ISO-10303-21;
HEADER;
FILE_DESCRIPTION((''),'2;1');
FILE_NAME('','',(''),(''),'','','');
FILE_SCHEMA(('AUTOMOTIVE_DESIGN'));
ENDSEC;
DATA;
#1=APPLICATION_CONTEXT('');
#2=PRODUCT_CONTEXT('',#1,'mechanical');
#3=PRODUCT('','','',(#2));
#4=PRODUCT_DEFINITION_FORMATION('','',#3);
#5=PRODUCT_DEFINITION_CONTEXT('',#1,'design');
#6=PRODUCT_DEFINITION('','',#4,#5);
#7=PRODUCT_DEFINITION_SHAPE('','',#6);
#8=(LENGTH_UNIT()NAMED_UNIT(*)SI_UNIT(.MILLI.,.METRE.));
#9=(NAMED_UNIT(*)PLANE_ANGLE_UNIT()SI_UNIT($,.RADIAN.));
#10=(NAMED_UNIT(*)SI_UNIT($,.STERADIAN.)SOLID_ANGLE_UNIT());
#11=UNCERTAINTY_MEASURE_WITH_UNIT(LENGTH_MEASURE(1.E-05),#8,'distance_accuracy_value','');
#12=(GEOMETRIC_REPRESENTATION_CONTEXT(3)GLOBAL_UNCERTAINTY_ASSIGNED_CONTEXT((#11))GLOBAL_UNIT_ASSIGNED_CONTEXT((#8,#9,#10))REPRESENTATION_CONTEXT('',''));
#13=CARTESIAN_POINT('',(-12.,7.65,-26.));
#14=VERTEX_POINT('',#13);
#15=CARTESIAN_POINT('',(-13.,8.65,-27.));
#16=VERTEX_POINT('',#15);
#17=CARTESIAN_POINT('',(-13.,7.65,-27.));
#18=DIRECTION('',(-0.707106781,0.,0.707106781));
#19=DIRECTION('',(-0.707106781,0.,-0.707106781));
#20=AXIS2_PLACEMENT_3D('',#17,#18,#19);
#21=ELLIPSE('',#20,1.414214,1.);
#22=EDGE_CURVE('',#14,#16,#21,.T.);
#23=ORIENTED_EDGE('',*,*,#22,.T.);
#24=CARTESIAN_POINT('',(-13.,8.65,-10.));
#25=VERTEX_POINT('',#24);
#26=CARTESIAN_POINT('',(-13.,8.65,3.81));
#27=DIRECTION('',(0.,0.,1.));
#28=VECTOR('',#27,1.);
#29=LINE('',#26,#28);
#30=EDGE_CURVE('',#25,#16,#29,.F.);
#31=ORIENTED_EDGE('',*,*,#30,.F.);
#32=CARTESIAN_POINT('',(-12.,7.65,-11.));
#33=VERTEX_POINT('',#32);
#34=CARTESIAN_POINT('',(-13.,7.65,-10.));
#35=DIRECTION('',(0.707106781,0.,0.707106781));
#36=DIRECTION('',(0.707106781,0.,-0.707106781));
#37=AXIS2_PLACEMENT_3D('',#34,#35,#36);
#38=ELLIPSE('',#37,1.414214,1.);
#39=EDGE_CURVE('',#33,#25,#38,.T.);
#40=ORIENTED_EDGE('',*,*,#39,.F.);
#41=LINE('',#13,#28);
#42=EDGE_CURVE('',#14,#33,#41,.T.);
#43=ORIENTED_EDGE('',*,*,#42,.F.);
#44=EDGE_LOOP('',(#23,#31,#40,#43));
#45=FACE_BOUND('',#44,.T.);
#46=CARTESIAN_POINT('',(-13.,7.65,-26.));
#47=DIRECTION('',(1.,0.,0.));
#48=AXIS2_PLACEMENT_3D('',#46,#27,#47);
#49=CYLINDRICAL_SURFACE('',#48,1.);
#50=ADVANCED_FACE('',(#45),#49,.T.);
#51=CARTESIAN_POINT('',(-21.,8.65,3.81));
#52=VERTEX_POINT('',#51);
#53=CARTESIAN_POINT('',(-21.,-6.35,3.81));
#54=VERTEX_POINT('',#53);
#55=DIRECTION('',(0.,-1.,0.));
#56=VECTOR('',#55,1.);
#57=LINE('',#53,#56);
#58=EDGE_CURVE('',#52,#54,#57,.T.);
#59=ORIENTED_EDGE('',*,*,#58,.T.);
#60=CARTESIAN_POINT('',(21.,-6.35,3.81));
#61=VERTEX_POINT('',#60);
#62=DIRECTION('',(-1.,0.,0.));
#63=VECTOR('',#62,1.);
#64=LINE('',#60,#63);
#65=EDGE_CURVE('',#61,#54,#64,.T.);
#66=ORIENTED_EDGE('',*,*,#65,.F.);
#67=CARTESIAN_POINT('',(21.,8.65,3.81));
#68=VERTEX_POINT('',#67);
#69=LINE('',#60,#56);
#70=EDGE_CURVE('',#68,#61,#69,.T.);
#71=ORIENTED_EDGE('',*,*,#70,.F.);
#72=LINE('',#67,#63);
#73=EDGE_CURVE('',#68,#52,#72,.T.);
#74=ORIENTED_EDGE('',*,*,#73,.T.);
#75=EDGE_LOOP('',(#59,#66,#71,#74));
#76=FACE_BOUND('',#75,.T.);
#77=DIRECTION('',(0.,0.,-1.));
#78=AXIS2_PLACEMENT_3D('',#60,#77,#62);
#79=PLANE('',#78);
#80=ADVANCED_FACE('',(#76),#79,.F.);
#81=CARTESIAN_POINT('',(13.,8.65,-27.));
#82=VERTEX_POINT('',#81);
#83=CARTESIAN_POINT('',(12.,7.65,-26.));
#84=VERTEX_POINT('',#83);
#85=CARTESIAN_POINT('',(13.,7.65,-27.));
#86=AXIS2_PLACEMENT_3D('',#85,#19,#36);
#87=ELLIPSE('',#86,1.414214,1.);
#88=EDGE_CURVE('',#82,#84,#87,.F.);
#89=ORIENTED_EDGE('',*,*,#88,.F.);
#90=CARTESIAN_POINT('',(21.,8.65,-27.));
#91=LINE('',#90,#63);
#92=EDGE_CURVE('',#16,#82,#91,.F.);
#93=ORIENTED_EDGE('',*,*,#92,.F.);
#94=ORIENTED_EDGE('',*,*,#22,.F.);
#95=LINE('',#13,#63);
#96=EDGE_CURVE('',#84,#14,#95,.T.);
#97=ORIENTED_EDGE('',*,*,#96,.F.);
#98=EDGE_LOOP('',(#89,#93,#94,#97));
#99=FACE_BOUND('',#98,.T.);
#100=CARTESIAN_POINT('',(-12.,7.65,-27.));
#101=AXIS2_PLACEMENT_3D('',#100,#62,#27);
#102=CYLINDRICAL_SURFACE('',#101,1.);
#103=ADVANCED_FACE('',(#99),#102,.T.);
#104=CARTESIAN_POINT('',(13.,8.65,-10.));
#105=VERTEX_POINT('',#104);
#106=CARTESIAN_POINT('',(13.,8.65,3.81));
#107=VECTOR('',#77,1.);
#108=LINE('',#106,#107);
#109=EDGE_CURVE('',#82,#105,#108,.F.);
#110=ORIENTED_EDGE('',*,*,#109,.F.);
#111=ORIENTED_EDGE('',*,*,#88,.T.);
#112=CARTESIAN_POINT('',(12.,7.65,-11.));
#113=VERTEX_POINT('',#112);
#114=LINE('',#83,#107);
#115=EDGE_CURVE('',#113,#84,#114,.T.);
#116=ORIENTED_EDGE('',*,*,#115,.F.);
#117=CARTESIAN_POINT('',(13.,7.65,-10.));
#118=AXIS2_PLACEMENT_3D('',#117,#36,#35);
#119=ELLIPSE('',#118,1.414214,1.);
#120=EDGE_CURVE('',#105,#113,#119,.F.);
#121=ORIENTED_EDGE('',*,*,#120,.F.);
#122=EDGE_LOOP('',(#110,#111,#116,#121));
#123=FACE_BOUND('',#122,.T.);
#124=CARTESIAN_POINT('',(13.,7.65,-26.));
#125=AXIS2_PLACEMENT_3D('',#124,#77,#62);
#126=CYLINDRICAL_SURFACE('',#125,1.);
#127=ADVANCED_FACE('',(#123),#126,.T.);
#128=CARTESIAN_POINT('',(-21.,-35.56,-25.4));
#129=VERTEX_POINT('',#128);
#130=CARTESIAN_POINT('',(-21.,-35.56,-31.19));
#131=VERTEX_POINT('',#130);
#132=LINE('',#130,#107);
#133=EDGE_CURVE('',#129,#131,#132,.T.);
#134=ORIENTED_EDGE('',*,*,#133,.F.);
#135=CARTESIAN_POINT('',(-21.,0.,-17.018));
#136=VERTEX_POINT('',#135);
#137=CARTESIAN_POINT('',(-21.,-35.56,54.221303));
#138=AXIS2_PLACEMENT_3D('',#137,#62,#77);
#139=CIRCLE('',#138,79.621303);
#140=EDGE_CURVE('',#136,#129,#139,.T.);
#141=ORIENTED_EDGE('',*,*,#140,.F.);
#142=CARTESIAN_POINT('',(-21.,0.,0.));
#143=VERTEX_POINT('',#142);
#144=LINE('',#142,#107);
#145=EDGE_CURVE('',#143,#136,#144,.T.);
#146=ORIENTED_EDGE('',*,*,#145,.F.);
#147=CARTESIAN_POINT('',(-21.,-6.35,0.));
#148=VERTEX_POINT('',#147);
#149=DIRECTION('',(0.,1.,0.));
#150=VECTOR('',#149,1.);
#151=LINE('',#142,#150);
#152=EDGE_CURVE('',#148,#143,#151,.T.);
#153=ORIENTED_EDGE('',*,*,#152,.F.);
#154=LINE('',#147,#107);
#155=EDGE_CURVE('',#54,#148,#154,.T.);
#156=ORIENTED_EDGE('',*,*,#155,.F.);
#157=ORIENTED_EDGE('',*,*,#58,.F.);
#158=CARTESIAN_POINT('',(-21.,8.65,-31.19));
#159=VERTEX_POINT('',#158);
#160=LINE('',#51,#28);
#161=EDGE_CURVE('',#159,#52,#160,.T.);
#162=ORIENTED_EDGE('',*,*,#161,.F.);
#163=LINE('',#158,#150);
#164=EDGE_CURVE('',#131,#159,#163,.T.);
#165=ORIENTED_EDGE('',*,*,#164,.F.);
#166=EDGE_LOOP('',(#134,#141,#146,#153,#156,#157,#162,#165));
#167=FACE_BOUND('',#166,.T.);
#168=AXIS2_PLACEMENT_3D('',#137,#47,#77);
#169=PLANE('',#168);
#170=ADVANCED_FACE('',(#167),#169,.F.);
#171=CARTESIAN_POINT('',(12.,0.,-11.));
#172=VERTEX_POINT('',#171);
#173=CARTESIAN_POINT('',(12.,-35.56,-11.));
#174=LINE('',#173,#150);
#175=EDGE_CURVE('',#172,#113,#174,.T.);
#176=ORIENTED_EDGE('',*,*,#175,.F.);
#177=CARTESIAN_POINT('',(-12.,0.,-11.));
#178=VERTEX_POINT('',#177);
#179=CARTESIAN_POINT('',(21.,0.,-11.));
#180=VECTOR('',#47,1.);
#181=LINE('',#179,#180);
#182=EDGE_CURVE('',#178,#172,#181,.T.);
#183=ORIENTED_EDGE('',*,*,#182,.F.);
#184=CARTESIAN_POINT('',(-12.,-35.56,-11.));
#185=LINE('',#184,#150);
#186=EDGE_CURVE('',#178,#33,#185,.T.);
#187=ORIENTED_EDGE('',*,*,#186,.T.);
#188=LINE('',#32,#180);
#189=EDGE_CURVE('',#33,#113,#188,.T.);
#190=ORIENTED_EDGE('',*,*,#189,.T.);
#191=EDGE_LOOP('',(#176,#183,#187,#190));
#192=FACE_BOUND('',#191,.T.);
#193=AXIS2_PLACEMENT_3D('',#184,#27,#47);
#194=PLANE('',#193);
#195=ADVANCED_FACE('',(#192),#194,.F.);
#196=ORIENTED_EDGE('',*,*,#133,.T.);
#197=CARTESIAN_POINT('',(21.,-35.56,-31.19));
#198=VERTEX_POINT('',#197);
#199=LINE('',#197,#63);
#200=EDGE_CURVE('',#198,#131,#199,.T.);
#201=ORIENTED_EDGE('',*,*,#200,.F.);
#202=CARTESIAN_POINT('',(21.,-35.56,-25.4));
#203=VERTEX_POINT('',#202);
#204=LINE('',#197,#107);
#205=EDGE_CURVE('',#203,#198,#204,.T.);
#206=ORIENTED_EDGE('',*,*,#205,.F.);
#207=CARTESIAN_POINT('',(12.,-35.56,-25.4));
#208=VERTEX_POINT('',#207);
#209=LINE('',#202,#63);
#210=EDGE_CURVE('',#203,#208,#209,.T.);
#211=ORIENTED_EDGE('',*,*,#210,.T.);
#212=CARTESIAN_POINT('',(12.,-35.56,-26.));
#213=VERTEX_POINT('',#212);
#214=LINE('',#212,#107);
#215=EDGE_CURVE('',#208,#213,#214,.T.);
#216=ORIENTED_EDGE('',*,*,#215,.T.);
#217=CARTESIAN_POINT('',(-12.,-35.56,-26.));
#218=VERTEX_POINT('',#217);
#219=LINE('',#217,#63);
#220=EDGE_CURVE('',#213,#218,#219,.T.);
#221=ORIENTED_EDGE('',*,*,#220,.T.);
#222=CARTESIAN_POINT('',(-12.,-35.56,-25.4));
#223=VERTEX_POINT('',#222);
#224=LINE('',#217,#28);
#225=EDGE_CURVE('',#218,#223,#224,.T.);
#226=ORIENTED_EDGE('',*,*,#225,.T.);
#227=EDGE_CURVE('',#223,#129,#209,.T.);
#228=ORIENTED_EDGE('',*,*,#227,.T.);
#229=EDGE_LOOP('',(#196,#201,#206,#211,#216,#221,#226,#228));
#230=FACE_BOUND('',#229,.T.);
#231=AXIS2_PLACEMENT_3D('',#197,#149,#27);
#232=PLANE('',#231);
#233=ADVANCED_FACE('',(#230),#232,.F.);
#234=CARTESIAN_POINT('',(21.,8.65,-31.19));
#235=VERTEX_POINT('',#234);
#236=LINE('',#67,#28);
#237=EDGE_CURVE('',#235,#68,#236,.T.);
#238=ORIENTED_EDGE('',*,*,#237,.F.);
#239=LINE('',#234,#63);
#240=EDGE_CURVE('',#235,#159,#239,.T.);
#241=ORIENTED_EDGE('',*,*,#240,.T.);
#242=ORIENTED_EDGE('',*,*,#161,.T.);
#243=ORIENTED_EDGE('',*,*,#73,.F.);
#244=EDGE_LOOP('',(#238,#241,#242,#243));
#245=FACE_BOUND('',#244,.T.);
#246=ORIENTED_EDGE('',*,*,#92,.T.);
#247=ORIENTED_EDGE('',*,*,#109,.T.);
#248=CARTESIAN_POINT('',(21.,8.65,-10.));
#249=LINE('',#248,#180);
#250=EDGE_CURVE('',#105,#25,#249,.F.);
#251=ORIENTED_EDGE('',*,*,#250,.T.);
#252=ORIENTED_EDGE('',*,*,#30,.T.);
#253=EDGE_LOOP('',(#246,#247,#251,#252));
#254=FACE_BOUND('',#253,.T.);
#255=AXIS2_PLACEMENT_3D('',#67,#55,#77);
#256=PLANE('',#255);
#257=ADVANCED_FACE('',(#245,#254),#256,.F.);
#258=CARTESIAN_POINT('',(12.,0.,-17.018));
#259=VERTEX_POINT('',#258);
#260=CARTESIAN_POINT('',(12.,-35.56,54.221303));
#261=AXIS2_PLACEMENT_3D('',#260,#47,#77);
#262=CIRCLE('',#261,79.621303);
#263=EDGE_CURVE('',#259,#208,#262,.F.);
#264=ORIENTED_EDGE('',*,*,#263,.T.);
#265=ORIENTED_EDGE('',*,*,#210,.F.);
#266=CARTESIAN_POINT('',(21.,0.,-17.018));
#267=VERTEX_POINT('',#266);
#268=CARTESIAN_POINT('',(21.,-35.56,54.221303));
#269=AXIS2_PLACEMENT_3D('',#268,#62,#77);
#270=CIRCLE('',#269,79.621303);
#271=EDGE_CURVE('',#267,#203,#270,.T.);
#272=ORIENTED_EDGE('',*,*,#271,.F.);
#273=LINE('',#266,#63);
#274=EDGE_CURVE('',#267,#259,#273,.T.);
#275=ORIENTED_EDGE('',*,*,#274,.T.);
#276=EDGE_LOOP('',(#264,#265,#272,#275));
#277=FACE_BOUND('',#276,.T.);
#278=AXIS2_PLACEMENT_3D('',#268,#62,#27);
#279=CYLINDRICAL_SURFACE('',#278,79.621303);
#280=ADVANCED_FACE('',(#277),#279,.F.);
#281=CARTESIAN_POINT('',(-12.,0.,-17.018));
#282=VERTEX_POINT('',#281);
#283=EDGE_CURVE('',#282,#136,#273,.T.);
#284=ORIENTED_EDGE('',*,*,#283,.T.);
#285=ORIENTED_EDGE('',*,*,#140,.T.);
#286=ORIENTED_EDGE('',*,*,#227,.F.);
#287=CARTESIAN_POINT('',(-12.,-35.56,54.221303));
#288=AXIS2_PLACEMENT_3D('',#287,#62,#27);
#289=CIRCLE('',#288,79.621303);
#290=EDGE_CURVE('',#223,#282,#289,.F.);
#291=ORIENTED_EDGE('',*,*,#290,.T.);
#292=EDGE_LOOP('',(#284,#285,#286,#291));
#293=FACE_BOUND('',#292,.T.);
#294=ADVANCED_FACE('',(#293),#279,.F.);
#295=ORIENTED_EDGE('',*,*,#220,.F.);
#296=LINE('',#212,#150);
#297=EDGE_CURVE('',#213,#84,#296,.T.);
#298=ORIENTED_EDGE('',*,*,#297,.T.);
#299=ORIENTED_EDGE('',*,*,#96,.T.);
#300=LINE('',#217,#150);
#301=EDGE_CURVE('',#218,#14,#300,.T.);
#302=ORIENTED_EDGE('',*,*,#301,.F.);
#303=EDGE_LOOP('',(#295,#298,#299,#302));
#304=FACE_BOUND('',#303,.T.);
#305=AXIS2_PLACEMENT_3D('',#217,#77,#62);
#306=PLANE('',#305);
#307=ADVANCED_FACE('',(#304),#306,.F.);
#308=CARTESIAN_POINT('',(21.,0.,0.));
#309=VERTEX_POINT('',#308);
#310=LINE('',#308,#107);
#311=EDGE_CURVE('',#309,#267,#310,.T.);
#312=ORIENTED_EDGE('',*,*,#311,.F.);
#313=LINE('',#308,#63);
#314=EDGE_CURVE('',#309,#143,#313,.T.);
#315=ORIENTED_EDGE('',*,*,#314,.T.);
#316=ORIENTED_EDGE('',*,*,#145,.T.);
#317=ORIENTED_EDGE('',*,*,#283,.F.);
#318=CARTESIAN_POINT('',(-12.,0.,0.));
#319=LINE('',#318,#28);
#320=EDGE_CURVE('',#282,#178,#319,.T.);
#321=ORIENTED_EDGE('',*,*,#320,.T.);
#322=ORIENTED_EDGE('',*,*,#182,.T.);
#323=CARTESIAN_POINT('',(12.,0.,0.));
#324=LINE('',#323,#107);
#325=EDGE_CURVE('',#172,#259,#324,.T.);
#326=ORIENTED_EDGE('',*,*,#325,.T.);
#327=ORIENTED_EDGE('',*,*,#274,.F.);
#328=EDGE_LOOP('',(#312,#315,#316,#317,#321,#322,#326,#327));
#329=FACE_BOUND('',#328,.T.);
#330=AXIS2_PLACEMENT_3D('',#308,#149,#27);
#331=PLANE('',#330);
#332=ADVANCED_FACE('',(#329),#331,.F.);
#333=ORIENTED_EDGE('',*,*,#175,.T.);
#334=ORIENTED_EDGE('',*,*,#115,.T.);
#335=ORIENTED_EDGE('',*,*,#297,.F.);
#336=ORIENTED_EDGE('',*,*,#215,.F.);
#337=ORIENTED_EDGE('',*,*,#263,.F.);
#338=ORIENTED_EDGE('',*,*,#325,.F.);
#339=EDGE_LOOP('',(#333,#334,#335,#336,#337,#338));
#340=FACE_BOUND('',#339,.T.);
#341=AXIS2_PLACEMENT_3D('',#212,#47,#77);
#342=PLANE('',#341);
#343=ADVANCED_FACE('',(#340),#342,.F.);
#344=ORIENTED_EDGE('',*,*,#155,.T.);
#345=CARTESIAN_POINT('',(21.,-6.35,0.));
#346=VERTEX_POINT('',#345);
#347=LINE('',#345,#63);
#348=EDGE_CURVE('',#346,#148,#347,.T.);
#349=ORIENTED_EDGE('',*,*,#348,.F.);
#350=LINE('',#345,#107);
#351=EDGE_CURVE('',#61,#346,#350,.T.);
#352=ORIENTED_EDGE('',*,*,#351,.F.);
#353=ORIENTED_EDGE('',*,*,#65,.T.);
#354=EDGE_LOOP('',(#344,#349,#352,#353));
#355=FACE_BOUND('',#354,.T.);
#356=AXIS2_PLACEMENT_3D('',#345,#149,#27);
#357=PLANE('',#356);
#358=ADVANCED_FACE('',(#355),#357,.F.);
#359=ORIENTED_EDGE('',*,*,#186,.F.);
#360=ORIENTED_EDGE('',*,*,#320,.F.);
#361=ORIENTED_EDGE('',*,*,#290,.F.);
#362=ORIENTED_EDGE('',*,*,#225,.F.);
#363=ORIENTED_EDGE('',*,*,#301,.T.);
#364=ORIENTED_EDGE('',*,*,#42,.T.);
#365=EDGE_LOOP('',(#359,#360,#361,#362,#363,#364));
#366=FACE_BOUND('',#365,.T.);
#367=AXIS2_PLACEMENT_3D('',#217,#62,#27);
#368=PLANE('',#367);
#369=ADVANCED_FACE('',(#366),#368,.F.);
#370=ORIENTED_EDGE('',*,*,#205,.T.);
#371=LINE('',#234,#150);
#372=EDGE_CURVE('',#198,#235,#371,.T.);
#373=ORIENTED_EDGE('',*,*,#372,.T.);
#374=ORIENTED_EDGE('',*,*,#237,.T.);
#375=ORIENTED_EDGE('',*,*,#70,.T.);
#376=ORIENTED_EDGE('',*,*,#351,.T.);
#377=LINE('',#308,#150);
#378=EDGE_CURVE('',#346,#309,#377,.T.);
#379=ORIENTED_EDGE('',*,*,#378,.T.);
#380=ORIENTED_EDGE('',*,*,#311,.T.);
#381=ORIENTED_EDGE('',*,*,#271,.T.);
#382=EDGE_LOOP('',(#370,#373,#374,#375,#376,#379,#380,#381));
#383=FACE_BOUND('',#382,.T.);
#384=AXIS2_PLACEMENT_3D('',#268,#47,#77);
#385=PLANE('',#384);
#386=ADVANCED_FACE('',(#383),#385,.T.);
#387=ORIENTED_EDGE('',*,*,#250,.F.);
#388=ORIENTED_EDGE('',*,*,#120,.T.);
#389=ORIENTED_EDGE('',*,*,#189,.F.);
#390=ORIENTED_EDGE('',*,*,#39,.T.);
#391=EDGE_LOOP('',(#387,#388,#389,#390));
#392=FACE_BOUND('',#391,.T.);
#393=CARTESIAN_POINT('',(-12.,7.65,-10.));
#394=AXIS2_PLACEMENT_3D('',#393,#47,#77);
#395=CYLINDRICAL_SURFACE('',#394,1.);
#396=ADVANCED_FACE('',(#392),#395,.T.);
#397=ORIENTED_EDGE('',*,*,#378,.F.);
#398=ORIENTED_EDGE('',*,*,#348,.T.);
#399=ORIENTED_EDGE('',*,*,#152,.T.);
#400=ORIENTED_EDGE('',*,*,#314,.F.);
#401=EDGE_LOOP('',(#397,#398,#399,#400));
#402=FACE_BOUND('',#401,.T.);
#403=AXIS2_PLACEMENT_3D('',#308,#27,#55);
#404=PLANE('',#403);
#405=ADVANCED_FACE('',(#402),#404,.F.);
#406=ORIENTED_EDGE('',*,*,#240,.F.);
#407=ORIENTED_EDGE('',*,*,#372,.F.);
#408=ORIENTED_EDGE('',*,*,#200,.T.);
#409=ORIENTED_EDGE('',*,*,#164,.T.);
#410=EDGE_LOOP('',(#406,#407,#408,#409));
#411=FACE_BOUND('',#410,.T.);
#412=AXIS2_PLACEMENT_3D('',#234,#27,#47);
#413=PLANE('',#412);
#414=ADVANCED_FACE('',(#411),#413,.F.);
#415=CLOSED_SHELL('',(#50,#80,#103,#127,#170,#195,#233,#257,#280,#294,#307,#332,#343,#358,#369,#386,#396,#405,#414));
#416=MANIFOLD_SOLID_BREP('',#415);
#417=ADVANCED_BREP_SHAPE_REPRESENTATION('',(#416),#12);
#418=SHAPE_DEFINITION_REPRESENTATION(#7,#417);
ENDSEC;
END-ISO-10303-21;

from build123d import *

# Parameters (mm, degrees)
BOSS_EXTRUDE1_DEPTH = 21
SKETCH3_W           = 24
SKETCH3_H           = 15
CUT_EXTRUDE1_DEPTH  = 59.037403457
FILLET1_R           = 1


with BuildPart() as part:
    # Sketch2 → Boss-Extrude1 (new, symmetric)
    with BuildSketch(Plane(origin=(0, 0, 0), x_dir=(0, 0, -1), z_dir=(1, 0, 0))):
        with BuildLine():
            Line((0, 0), (0, -6.35))
            Line((0, -6.35), (-3.81, -6.35))
            Line((-3.81, -6.35), (-3.81, 8.65))
            Line((-3.81, 8.65), (31.19, 8.65))
            Line((31.19, 8.65), (31.19, -35.56))
            Line((31.19, -35.56), (25.4, -35.56))
            ThreePointArc((25.4, -35.56), (23.276174446, -17.292737452), (17.018, 0))
            Line((17.018, 0), (0, 0))
        make_face()
    extrude(amount=BOSS_EXTRUDE1_DEPTH, both=True)

    # Sketch3 → Cut-Extrude1 (cut, through all)
    with BuildSketch(Plane(origin=(0, 8.65, 0), x_dir=(1, 0, 0), z_dir=(0, 1, 0))):
        with Locations((0, 18.5)):
            Rectangle(SKETCH3_W, SKETCH3_H)
    extrude(amount=-CUT_EXTRUDE1_DEPTH, mode=Mode.SUBTRACT)

    # Fillet1
    fillet1_edges = [part.edges().sort_by_distance(p)[0] for p in [
        (-12, 8.65, -18.5),
        (0, 8.65, -11),
        (12, 8.65, -18.5),
        (0, 8.65, -26),
    ]]
    fillet(fillet1_edges, radius=FILLET1_R)


solid = part.part
